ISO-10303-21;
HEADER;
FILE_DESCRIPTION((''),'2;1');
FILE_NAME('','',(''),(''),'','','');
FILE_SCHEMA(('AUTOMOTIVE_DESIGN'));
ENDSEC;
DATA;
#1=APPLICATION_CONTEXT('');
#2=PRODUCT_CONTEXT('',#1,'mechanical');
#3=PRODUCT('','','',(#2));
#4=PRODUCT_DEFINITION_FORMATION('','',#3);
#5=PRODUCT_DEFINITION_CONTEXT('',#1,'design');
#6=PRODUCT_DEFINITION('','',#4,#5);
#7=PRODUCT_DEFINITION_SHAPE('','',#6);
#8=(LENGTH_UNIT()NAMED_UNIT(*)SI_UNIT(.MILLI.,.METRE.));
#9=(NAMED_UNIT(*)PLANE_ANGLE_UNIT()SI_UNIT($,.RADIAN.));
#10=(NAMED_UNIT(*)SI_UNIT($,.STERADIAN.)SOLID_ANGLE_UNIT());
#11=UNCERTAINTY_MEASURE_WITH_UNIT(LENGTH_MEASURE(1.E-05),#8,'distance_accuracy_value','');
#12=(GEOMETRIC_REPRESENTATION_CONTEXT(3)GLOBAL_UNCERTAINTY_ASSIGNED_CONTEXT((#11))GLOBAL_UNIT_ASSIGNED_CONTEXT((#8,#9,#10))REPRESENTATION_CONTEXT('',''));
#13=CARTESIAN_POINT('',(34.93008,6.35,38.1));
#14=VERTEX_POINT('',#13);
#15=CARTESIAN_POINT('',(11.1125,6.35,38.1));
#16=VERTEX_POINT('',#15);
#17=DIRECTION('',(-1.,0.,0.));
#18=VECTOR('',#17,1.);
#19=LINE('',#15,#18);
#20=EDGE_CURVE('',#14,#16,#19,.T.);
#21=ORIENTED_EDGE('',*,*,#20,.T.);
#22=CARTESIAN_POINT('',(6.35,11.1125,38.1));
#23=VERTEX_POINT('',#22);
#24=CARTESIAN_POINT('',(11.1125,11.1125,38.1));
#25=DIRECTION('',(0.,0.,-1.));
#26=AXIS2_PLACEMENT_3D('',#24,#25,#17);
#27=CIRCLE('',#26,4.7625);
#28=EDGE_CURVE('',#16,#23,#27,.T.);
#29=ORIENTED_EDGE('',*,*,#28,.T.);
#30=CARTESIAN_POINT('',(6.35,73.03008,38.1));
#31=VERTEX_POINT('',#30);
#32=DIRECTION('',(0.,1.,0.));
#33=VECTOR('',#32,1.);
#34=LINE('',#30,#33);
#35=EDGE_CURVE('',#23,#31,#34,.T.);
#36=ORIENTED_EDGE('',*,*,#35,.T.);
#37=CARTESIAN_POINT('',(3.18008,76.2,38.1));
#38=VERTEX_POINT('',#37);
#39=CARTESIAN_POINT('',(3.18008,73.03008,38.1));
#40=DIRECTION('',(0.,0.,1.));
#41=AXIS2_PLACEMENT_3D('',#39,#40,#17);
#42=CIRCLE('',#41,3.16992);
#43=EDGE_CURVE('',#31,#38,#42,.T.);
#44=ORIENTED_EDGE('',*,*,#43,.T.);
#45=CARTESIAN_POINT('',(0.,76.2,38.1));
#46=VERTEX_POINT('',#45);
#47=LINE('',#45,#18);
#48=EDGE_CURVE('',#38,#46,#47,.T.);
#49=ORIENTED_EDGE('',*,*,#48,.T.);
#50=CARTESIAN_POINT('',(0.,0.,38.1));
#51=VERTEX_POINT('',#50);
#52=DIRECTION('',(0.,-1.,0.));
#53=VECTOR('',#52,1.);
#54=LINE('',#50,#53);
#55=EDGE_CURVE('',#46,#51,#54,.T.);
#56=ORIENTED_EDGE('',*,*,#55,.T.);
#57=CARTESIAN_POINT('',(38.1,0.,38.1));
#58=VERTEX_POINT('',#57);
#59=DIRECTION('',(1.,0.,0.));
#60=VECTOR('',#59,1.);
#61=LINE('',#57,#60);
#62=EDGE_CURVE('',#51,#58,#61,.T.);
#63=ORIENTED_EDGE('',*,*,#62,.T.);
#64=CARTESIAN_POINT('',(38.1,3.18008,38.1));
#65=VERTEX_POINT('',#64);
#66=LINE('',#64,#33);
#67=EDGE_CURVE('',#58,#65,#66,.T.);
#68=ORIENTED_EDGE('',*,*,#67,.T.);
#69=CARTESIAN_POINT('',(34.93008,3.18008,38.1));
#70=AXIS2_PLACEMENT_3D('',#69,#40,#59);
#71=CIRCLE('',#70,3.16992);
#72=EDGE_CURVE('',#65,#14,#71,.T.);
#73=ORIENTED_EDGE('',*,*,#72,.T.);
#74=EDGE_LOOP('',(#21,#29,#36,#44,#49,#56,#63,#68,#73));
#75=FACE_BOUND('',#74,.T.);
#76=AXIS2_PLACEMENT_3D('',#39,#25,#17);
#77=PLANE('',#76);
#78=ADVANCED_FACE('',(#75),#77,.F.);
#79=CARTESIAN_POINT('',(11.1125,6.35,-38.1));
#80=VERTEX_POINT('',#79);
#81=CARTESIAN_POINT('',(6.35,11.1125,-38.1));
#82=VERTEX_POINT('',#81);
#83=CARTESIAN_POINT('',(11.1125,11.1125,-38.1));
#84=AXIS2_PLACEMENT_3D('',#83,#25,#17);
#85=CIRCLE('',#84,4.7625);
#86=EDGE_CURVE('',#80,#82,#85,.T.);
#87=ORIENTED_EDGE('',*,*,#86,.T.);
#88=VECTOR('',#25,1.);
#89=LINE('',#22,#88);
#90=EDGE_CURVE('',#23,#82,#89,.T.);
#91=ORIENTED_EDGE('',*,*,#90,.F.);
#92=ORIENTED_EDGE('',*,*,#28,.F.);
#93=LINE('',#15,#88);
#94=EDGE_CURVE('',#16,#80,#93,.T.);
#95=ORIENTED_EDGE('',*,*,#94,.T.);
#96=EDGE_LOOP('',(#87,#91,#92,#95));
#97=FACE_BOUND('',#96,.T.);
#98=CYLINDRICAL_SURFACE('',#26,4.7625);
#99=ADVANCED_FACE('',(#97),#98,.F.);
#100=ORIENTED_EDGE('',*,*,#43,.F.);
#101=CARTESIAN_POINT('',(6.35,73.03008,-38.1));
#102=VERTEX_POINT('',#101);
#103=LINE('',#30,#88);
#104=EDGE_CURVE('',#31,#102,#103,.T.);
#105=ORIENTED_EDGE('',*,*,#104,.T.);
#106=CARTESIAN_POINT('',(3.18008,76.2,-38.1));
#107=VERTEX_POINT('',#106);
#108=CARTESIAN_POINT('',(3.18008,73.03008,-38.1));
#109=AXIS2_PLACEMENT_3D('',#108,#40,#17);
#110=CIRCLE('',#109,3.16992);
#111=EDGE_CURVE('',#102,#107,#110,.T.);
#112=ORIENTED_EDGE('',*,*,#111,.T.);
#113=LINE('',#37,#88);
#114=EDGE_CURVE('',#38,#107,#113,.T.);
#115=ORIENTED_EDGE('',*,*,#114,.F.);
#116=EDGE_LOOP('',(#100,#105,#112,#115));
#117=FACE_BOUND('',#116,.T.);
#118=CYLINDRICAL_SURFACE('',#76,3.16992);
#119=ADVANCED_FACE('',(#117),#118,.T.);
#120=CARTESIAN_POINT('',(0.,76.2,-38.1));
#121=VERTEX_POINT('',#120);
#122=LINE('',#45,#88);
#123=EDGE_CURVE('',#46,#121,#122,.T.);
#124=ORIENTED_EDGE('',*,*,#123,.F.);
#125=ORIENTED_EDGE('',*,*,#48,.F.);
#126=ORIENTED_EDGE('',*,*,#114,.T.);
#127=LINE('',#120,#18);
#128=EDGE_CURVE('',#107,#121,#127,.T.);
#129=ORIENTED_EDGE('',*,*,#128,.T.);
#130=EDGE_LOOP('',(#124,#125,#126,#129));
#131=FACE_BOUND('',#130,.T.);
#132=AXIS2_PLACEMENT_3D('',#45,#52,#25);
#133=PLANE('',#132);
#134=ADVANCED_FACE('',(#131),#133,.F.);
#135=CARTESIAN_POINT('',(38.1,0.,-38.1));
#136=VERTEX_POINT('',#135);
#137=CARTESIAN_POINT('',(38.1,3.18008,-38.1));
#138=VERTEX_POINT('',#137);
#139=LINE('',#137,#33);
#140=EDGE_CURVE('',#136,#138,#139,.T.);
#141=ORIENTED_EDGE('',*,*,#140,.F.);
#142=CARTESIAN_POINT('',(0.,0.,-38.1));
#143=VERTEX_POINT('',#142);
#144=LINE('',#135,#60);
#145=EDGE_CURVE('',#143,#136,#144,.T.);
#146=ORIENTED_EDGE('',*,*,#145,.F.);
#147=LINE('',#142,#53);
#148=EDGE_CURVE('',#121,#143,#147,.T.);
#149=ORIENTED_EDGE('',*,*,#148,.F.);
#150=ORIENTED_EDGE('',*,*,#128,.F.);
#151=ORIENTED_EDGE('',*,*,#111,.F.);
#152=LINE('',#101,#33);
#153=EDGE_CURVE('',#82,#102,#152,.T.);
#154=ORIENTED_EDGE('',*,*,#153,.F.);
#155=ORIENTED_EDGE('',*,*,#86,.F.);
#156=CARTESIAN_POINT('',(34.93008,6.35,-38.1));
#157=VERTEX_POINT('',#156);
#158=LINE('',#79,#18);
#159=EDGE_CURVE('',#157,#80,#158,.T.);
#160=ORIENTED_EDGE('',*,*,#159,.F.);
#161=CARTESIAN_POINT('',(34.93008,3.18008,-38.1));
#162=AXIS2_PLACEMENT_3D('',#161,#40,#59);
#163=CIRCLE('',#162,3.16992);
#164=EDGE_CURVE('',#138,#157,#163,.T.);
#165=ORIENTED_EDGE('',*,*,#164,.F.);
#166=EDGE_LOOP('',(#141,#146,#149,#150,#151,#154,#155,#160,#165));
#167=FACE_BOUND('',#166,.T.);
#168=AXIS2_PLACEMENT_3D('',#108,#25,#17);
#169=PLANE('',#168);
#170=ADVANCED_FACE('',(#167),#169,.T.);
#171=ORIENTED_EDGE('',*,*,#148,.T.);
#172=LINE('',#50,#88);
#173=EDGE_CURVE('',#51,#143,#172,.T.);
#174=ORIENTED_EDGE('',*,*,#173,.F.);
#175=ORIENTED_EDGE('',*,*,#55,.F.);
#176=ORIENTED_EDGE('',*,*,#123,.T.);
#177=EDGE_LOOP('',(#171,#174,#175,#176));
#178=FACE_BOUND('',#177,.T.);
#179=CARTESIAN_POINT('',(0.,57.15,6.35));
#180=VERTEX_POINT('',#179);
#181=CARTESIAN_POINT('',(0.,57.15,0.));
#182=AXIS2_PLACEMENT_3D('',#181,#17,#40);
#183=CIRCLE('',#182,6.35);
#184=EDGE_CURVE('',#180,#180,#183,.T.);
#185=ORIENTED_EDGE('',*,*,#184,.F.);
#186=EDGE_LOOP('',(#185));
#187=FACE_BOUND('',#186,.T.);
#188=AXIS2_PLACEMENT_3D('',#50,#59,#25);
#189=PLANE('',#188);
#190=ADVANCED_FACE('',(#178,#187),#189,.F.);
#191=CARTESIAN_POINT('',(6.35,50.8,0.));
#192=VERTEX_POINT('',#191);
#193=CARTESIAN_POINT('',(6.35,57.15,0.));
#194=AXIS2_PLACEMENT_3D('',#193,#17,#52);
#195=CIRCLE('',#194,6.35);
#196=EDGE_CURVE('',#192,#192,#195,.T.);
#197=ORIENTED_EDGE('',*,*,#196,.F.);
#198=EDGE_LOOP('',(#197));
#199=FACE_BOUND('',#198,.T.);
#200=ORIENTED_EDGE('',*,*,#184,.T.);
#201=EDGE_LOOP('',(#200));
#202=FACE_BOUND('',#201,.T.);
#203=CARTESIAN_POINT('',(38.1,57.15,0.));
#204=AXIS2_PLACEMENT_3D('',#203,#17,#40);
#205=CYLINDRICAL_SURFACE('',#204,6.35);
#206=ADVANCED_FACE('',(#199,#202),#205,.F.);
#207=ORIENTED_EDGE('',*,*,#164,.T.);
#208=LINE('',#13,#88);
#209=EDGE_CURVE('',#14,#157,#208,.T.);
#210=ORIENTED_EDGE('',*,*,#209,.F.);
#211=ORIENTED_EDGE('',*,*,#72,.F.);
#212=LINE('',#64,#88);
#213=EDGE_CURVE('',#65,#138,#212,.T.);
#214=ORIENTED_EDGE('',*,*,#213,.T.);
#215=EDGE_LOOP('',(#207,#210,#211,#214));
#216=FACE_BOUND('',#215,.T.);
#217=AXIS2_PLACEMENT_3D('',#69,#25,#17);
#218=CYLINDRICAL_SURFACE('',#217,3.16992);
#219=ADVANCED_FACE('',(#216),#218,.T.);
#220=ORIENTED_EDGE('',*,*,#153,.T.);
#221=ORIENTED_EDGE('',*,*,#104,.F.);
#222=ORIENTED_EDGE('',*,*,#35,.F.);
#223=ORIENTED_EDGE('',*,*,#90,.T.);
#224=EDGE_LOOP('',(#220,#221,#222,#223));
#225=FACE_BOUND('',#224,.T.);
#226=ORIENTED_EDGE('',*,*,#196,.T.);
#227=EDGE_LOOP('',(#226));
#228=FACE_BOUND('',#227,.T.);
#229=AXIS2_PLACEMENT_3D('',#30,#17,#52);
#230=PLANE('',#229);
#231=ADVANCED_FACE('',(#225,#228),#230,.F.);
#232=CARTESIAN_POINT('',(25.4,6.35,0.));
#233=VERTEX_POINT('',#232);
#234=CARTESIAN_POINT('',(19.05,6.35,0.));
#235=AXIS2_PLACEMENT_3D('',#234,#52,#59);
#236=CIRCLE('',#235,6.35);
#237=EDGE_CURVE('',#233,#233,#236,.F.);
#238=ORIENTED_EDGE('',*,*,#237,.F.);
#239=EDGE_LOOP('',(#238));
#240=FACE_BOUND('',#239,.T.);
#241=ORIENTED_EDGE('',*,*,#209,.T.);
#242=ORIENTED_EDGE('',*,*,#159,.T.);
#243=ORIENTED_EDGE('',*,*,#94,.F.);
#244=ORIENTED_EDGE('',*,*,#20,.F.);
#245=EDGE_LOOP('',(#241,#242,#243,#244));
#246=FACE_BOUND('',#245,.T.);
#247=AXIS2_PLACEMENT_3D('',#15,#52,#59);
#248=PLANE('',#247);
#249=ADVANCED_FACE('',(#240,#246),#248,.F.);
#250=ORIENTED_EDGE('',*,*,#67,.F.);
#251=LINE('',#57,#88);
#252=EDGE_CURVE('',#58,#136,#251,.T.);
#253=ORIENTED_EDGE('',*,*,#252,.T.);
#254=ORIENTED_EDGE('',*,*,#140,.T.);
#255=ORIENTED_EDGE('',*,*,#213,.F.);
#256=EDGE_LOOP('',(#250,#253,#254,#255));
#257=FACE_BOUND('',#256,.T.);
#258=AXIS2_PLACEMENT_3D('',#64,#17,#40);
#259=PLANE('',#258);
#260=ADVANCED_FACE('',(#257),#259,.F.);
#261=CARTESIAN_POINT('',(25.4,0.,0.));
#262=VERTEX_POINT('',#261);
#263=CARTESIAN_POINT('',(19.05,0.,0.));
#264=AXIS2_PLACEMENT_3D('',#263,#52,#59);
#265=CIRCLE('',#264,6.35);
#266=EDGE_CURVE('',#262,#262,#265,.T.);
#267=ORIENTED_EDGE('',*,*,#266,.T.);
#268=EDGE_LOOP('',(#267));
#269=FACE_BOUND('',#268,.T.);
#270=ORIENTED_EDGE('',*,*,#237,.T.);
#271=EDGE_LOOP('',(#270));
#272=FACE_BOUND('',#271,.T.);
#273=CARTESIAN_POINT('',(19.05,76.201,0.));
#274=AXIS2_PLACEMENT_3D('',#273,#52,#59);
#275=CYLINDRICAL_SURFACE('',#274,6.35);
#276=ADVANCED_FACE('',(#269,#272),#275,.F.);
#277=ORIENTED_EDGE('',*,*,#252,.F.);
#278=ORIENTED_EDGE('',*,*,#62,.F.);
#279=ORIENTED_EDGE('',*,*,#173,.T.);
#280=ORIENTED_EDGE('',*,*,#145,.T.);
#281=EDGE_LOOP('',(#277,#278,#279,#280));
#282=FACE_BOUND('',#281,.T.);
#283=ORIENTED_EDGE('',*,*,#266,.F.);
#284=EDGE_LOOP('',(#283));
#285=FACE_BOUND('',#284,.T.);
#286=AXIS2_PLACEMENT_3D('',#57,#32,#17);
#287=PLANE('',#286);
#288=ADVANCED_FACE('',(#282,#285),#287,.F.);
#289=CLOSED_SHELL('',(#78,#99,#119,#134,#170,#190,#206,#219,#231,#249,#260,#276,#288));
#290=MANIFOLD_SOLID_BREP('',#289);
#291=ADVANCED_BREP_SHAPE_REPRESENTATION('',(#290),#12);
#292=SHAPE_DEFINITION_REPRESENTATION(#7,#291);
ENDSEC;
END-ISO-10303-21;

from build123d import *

# Parameters (mm, degrees)
BASESTEELANGLE_DEPTH = 38.1
CUT_EXTRUDE1_REACH   = 78.2
SKETCH2_R            = 6.35
SKETCH3_R            = 6.35
CUT_EXTRUDE2_DEPTH   = 39.1


with BuildPart() as part:
    # Sketch1 → BaseSteelAngle (new body, symmetric)
    with BuildSketch(Plane.XY):
        with BuildLine():
            Line((0, 0), (0, 76.2))
            Line((0, 76.2), (3.18008, 76.2))
            ThreePointArc((3.18008, 76.2), (5.421551928, 75.271551928), (6.35, 73.03008))
            Line((6.35, 73.03008), (6.35, 11.1125))
            ThreePointArc((6.35, 11.1125), (7.744903955, 7.744903955), (11.1125, 6.35))
            Line((11.1125, 6.35), (34.93008, 6.35))
            ThreePointArc((34.93008, 6.35), (37.171551928, 5.421551928), (38.1, 3.18008))
            Line((38.1, 3.18008), (38.1, 0))
            Line((38.1, 0), (0, 0))
        make_face()
    extrude(amount=BASESTEELANGLE_DEPTH, both=True)

    # Sketch2 → Cut-Extrude1 (cut, up to next)
    with BuildSketch(Plane.XZ, mode=Mode.PRIVATE) as cut_extrude1_sk1:
        with Locations((19.05, 0)):
            Circle(SKETCH2_R)
    cut_extrude1_tool1 = extrude(cut_extrude1_sk1.sketch, amount=-CUT_EXTRUDE1_REACH, mode=Mode.PRIVATE) & part.part
    add(cut_extrude1_tool1.solids().sort_by_distance((19.05, 0, 0))[0], mode=Mode.SUBTRACT)

    # Sketch3 → Cut-Extrude2 (cut, through all)
    with BuildSketch(Plane.ZY):
        with Locations((0, 57.15)):
            Circle(SKETCH3_R)
    extrude(amount=-CUT_EXTRUDE2_DEPTH, mode=Mode.SUBTRACT)


solid = part.part
